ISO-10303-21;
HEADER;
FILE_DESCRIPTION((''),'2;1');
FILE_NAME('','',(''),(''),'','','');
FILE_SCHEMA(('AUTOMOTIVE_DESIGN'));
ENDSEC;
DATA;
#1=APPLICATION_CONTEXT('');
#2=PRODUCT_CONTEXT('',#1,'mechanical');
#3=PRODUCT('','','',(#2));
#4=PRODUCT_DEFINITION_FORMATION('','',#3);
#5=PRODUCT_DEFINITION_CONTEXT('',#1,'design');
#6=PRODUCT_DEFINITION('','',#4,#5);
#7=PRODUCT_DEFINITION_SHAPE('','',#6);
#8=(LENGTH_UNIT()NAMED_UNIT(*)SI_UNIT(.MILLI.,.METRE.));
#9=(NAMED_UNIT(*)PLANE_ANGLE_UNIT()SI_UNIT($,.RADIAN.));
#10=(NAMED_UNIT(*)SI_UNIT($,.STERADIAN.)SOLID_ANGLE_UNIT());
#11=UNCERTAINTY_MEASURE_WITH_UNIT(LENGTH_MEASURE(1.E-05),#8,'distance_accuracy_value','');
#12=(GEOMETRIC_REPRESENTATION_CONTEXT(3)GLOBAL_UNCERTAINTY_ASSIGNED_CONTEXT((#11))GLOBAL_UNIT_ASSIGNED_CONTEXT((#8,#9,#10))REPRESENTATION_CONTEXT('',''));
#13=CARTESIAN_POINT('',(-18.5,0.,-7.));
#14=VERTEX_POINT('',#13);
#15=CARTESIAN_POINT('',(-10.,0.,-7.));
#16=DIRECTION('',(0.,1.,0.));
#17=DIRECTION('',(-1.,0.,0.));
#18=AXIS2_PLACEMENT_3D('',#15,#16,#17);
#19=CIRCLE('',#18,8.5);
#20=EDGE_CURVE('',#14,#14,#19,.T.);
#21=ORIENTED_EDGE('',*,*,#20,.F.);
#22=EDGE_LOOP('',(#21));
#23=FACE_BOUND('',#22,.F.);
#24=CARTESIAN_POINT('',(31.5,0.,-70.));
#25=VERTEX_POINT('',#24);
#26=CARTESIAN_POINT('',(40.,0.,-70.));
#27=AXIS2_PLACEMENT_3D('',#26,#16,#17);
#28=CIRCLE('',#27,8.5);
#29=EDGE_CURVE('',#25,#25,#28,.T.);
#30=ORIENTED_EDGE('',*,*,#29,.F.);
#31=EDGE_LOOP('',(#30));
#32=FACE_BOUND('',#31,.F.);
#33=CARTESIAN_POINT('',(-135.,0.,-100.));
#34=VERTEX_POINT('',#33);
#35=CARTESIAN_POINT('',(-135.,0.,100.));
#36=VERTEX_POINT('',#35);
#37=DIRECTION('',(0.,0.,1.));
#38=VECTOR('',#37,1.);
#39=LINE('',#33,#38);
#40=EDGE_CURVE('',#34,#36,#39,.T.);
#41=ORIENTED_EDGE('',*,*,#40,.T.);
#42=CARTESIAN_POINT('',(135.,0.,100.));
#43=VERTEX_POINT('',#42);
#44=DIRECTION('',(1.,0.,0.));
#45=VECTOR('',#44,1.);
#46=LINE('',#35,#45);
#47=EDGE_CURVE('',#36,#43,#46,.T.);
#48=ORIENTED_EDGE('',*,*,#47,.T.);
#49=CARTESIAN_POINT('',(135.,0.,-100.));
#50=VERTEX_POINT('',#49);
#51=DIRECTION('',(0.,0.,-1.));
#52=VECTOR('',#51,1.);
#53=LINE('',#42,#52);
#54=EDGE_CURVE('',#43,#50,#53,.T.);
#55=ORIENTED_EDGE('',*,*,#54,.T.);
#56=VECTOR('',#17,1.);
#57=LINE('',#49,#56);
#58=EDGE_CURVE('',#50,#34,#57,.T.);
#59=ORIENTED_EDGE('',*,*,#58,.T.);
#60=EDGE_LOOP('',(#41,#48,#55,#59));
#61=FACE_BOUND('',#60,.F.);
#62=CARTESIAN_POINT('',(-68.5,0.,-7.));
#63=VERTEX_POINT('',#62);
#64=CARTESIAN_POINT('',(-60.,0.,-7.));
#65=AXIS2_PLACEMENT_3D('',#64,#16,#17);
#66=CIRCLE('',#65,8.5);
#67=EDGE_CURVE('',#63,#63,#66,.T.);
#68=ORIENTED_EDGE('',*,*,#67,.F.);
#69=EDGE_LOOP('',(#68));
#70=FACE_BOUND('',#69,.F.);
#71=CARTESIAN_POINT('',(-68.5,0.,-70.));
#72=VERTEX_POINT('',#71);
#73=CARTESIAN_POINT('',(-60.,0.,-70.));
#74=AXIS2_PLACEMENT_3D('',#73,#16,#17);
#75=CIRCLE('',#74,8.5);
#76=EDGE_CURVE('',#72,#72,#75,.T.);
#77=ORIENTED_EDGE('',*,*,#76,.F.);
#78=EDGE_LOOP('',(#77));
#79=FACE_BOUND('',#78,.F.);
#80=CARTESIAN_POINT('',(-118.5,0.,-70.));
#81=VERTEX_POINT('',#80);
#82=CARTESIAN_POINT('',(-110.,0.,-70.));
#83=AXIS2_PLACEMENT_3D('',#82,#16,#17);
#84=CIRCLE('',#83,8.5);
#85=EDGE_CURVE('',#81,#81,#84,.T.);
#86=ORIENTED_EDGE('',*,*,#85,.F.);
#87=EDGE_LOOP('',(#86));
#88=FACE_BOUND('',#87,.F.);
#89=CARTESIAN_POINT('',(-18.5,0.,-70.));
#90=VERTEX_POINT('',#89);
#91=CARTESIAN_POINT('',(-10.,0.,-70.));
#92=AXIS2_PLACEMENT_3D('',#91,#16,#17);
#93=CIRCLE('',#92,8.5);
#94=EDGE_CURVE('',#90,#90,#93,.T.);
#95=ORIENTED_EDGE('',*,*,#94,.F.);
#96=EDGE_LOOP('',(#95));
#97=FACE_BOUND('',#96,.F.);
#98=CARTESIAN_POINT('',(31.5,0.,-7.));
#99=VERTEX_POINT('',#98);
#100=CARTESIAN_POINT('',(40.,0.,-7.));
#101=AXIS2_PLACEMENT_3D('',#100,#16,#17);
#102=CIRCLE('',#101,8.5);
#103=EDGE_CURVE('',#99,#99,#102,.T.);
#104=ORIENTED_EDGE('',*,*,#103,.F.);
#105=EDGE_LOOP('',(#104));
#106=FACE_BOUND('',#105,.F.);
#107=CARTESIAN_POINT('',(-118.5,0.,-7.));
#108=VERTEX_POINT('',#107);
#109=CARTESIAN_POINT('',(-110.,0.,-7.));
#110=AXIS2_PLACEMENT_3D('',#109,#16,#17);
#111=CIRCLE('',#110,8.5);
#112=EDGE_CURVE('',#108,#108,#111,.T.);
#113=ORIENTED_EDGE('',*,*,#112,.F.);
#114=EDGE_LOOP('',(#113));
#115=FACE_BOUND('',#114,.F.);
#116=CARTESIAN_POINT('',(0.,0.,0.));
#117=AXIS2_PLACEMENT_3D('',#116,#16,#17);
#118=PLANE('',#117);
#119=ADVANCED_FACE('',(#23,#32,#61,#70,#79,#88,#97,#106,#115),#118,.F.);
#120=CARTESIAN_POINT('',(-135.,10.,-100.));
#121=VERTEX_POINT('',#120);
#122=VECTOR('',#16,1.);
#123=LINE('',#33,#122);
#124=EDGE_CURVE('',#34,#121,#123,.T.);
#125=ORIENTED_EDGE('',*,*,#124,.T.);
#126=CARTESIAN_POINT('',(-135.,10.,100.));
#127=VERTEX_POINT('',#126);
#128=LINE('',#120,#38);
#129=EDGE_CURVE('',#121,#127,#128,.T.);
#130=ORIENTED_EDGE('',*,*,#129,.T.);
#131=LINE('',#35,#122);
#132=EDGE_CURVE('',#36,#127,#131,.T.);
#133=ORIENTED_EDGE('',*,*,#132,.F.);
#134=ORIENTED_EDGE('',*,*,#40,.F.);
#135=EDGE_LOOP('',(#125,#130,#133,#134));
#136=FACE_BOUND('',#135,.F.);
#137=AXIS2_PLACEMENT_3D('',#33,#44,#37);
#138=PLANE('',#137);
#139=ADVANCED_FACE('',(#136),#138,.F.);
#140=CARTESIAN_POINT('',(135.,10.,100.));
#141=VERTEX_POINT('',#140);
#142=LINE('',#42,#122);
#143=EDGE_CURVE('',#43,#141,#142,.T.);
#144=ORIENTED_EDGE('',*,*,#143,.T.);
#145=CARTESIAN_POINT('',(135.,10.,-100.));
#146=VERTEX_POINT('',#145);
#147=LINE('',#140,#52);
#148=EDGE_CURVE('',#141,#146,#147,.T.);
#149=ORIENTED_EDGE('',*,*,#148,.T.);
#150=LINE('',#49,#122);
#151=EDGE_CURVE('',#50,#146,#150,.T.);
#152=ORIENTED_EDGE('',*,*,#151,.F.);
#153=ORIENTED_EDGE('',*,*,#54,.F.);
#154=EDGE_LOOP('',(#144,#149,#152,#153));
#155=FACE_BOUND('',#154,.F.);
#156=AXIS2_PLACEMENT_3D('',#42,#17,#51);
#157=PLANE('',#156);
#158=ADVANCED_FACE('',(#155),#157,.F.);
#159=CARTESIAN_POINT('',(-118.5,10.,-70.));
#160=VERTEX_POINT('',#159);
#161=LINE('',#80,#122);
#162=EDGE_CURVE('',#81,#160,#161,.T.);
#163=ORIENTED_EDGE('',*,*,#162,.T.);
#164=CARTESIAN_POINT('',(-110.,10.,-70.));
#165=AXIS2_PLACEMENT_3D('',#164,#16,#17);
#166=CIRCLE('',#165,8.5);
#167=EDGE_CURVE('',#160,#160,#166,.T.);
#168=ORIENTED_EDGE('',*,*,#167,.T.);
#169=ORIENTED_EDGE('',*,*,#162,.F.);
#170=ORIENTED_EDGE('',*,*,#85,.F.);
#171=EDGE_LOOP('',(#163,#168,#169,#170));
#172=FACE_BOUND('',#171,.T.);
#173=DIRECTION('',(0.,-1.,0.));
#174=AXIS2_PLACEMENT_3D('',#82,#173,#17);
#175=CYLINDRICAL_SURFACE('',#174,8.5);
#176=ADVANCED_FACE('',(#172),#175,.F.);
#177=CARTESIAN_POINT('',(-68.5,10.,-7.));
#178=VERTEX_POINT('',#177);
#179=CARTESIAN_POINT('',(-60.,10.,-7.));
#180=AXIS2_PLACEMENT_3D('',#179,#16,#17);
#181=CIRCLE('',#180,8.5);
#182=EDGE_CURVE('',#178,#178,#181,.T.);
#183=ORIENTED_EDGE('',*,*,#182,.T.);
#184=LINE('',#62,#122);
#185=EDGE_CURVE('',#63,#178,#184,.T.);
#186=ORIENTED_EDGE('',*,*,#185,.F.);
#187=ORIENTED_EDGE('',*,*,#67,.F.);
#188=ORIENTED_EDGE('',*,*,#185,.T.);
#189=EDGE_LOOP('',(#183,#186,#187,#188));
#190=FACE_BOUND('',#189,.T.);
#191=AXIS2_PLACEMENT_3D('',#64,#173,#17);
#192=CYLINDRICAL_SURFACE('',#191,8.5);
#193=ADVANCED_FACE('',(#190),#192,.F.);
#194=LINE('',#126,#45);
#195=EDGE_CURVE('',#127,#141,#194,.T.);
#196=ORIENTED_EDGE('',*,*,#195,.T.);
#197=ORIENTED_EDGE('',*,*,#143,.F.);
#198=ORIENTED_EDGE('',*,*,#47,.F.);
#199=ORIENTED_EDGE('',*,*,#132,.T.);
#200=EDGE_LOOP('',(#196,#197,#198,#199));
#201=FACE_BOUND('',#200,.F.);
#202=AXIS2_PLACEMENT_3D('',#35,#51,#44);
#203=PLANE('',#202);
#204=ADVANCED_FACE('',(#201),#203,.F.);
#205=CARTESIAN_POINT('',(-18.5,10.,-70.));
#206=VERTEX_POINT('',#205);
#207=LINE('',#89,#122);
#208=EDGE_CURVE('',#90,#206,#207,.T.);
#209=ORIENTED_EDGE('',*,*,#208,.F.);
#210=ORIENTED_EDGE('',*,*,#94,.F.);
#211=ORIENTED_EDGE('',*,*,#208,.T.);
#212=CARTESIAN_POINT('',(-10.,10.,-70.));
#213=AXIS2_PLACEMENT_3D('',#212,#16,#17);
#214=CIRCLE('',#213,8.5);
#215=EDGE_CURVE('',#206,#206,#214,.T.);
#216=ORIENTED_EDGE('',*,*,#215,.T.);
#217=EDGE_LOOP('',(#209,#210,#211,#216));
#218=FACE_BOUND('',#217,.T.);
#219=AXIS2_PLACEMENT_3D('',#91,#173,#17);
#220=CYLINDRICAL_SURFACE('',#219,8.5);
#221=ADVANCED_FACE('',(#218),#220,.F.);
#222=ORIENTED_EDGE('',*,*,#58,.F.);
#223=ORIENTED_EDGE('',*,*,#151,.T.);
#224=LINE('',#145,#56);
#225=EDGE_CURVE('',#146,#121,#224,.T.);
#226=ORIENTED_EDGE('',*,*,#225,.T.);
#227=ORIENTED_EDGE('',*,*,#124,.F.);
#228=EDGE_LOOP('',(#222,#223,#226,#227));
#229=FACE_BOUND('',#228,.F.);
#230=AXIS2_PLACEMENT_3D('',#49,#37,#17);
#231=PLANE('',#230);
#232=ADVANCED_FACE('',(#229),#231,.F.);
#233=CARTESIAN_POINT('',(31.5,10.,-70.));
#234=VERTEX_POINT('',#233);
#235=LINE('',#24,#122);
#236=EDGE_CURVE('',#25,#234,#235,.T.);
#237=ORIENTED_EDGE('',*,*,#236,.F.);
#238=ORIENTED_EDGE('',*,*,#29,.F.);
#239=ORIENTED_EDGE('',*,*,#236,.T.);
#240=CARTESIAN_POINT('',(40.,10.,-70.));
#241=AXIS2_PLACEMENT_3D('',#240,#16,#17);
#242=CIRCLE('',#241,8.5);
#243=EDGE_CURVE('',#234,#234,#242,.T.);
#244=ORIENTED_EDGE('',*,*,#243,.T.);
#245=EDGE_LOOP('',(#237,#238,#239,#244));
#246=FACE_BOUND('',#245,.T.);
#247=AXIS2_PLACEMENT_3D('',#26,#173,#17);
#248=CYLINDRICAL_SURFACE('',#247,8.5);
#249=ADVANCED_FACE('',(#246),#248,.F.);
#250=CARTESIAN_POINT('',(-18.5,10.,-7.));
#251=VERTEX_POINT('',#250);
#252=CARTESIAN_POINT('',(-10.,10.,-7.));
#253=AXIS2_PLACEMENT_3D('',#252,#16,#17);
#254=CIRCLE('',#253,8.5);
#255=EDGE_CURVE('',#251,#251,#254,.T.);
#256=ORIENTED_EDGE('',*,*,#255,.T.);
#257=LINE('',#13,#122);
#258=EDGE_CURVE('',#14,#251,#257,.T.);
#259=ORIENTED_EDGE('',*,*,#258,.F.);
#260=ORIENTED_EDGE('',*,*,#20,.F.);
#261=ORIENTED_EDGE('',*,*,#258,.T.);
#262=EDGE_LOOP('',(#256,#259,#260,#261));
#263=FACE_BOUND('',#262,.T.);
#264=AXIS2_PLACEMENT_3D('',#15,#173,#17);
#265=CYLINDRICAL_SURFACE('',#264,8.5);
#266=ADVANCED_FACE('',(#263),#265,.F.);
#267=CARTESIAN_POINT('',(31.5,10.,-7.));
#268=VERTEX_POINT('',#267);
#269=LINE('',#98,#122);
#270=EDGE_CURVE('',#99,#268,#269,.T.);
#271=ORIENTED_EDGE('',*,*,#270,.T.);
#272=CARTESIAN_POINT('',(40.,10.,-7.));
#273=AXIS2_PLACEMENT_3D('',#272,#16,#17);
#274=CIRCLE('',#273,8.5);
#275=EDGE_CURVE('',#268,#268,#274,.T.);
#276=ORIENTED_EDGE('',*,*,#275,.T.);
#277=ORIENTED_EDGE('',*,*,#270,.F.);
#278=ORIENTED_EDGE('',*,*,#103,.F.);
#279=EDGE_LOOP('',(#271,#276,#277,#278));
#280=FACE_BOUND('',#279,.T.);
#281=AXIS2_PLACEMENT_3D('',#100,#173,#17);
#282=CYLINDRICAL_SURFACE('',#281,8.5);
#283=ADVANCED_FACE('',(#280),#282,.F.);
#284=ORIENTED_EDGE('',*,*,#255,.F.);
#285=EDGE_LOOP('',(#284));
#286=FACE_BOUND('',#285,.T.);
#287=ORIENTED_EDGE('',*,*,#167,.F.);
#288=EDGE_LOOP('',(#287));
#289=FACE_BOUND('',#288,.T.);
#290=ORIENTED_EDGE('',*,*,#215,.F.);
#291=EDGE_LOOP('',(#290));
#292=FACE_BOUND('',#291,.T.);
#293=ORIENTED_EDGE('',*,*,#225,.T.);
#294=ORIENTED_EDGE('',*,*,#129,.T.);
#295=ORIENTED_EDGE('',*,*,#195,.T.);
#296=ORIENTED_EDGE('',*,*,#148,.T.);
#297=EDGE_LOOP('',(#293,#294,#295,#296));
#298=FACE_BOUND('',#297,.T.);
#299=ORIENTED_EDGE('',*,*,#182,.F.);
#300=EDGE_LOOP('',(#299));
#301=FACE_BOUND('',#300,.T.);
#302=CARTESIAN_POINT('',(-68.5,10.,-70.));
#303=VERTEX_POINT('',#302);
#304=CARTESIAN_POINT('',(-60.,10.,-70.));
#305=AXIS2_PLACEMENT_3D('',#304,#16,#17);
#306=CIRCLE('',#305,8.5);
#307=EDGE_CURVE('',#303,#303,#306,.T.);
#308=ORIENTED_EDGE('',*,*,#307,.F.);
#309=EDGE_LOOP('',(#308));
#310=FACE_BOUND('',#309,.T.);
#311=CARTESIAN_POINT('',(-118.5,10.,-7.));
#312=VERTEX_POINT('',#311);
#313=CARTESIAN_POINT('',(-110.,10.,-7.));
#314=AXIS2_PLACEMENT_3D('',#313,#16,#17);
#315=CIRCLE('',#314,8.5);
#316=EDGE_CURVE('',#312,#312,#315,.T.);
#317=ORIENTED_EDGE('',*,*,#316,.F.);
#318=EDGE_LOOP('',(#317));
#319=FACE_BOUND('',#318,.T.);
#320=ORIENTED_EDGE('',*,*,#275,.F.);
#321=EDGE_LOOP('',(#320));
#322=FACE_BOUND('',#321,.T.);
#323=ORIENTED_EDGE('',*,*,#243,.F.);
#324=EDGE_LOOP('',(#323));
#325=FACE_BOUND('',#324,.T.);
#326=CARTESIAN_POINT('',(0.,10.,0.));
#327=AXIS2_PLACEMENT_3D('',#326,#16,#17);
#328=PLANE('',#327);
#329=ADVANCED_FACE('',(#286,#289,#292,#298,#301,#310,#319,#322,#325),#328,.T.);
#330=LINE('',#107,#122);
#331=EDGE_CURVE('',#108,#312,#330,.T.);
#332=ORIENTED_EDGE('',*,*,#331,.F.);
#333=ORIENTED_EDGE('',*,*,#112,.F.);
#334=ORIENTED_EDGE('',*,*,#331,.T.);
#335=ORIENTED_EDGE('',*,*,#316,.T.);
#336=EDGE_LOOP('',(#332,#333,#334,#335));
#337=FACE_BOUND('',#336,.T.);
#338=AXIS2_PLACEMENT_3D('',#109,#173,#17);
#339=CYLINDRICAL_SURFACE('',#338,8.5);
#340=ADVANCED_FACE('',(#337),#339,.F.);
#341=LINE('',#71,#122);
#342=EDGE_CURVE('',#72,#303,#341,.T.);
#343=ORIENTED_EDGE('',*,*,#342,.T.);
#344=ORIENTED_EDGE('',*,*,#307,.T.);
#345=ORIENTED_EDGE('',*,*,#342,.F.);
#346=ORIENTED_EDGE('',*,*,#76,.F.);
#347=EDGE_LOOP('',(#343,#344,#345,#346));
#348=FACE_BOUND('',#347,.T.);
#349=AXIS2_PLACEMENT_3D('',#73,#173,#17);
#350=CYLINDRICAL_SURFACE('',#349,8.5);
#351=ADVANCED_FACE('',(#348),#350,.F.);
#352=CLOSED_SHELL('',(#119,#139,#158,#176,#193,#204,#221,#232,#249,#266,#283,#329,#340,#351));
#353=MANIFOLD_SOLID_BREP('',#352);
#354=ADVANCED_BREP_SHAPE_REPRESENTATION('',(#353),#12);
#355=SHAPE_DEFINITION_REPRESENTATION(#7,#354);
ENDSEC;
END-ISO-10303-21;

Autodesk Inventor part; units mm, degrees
ref_plane "YZ Plane" through (0, 0, 0) normal (1, 0, 0) x (0, 1, 0)
ref_plane "XZ Plane" through (0, 0, 0) normal (0, 1, 0) x (-1, 0, 0)
ref_plane "XY Plane" through (0, 0, 0) normal (0, 0, 1) x (1, 0, 0)
sketch "Эскиз1" plane through (0, 0, 0) normal (0, 1, 0) x (-1, 0, 0)
  line L0 (-135, -100) -> (135, -100)
  line L1 (135, -100) -> (135, 100)
  line L2 (135, 100) -> (-135, 100)
  line L3 (-135, 100) -> (-135, -100)
  line L4 (-135, -100) -> (135, 100) construction
  line L5 (135, -100) -> (-135, 100) construction
  circle A0 centre (110, -70) radius 8.5
  circle A1 centre (110, -7) radius 8.5
  circle A2 centre (60, -7) radius 8.5
  circle A3 centre (60, -70) radius 8.5
  circle A4 centre (10, -7) radius 8.5
  circle A5 centre (10, -70) radius 8.5
  circle A6 centre (-40, -7) radius 8.5
  circle A7 centre (-40, -70) radius 8.5
  point P0 (0, 0)
  dimension "d0" = 270
  dimension "d1" = 200
  dimension "d2" = 30
  dimension "d3" = 63
  dimension "d4" = 95
  dimension "d5" = 50
  dimension "d6" = 50
  dimension "d7" = 50
  dimension "d8" = 17
extrude "Пластина1" add sketch "Эскиз1" along normal blind 10
equation "\"d6\" = d5"
equation "\"d7\" = d6"
equation "\"d9\" = Толщина"
equation "\"Глубина_просечки\" = 0.5 * Толщина"
equation "\"Толщина\" = 10"
properties part number "Lift.03.01.00.02" material "Сталь нержавеющая, 440C"
